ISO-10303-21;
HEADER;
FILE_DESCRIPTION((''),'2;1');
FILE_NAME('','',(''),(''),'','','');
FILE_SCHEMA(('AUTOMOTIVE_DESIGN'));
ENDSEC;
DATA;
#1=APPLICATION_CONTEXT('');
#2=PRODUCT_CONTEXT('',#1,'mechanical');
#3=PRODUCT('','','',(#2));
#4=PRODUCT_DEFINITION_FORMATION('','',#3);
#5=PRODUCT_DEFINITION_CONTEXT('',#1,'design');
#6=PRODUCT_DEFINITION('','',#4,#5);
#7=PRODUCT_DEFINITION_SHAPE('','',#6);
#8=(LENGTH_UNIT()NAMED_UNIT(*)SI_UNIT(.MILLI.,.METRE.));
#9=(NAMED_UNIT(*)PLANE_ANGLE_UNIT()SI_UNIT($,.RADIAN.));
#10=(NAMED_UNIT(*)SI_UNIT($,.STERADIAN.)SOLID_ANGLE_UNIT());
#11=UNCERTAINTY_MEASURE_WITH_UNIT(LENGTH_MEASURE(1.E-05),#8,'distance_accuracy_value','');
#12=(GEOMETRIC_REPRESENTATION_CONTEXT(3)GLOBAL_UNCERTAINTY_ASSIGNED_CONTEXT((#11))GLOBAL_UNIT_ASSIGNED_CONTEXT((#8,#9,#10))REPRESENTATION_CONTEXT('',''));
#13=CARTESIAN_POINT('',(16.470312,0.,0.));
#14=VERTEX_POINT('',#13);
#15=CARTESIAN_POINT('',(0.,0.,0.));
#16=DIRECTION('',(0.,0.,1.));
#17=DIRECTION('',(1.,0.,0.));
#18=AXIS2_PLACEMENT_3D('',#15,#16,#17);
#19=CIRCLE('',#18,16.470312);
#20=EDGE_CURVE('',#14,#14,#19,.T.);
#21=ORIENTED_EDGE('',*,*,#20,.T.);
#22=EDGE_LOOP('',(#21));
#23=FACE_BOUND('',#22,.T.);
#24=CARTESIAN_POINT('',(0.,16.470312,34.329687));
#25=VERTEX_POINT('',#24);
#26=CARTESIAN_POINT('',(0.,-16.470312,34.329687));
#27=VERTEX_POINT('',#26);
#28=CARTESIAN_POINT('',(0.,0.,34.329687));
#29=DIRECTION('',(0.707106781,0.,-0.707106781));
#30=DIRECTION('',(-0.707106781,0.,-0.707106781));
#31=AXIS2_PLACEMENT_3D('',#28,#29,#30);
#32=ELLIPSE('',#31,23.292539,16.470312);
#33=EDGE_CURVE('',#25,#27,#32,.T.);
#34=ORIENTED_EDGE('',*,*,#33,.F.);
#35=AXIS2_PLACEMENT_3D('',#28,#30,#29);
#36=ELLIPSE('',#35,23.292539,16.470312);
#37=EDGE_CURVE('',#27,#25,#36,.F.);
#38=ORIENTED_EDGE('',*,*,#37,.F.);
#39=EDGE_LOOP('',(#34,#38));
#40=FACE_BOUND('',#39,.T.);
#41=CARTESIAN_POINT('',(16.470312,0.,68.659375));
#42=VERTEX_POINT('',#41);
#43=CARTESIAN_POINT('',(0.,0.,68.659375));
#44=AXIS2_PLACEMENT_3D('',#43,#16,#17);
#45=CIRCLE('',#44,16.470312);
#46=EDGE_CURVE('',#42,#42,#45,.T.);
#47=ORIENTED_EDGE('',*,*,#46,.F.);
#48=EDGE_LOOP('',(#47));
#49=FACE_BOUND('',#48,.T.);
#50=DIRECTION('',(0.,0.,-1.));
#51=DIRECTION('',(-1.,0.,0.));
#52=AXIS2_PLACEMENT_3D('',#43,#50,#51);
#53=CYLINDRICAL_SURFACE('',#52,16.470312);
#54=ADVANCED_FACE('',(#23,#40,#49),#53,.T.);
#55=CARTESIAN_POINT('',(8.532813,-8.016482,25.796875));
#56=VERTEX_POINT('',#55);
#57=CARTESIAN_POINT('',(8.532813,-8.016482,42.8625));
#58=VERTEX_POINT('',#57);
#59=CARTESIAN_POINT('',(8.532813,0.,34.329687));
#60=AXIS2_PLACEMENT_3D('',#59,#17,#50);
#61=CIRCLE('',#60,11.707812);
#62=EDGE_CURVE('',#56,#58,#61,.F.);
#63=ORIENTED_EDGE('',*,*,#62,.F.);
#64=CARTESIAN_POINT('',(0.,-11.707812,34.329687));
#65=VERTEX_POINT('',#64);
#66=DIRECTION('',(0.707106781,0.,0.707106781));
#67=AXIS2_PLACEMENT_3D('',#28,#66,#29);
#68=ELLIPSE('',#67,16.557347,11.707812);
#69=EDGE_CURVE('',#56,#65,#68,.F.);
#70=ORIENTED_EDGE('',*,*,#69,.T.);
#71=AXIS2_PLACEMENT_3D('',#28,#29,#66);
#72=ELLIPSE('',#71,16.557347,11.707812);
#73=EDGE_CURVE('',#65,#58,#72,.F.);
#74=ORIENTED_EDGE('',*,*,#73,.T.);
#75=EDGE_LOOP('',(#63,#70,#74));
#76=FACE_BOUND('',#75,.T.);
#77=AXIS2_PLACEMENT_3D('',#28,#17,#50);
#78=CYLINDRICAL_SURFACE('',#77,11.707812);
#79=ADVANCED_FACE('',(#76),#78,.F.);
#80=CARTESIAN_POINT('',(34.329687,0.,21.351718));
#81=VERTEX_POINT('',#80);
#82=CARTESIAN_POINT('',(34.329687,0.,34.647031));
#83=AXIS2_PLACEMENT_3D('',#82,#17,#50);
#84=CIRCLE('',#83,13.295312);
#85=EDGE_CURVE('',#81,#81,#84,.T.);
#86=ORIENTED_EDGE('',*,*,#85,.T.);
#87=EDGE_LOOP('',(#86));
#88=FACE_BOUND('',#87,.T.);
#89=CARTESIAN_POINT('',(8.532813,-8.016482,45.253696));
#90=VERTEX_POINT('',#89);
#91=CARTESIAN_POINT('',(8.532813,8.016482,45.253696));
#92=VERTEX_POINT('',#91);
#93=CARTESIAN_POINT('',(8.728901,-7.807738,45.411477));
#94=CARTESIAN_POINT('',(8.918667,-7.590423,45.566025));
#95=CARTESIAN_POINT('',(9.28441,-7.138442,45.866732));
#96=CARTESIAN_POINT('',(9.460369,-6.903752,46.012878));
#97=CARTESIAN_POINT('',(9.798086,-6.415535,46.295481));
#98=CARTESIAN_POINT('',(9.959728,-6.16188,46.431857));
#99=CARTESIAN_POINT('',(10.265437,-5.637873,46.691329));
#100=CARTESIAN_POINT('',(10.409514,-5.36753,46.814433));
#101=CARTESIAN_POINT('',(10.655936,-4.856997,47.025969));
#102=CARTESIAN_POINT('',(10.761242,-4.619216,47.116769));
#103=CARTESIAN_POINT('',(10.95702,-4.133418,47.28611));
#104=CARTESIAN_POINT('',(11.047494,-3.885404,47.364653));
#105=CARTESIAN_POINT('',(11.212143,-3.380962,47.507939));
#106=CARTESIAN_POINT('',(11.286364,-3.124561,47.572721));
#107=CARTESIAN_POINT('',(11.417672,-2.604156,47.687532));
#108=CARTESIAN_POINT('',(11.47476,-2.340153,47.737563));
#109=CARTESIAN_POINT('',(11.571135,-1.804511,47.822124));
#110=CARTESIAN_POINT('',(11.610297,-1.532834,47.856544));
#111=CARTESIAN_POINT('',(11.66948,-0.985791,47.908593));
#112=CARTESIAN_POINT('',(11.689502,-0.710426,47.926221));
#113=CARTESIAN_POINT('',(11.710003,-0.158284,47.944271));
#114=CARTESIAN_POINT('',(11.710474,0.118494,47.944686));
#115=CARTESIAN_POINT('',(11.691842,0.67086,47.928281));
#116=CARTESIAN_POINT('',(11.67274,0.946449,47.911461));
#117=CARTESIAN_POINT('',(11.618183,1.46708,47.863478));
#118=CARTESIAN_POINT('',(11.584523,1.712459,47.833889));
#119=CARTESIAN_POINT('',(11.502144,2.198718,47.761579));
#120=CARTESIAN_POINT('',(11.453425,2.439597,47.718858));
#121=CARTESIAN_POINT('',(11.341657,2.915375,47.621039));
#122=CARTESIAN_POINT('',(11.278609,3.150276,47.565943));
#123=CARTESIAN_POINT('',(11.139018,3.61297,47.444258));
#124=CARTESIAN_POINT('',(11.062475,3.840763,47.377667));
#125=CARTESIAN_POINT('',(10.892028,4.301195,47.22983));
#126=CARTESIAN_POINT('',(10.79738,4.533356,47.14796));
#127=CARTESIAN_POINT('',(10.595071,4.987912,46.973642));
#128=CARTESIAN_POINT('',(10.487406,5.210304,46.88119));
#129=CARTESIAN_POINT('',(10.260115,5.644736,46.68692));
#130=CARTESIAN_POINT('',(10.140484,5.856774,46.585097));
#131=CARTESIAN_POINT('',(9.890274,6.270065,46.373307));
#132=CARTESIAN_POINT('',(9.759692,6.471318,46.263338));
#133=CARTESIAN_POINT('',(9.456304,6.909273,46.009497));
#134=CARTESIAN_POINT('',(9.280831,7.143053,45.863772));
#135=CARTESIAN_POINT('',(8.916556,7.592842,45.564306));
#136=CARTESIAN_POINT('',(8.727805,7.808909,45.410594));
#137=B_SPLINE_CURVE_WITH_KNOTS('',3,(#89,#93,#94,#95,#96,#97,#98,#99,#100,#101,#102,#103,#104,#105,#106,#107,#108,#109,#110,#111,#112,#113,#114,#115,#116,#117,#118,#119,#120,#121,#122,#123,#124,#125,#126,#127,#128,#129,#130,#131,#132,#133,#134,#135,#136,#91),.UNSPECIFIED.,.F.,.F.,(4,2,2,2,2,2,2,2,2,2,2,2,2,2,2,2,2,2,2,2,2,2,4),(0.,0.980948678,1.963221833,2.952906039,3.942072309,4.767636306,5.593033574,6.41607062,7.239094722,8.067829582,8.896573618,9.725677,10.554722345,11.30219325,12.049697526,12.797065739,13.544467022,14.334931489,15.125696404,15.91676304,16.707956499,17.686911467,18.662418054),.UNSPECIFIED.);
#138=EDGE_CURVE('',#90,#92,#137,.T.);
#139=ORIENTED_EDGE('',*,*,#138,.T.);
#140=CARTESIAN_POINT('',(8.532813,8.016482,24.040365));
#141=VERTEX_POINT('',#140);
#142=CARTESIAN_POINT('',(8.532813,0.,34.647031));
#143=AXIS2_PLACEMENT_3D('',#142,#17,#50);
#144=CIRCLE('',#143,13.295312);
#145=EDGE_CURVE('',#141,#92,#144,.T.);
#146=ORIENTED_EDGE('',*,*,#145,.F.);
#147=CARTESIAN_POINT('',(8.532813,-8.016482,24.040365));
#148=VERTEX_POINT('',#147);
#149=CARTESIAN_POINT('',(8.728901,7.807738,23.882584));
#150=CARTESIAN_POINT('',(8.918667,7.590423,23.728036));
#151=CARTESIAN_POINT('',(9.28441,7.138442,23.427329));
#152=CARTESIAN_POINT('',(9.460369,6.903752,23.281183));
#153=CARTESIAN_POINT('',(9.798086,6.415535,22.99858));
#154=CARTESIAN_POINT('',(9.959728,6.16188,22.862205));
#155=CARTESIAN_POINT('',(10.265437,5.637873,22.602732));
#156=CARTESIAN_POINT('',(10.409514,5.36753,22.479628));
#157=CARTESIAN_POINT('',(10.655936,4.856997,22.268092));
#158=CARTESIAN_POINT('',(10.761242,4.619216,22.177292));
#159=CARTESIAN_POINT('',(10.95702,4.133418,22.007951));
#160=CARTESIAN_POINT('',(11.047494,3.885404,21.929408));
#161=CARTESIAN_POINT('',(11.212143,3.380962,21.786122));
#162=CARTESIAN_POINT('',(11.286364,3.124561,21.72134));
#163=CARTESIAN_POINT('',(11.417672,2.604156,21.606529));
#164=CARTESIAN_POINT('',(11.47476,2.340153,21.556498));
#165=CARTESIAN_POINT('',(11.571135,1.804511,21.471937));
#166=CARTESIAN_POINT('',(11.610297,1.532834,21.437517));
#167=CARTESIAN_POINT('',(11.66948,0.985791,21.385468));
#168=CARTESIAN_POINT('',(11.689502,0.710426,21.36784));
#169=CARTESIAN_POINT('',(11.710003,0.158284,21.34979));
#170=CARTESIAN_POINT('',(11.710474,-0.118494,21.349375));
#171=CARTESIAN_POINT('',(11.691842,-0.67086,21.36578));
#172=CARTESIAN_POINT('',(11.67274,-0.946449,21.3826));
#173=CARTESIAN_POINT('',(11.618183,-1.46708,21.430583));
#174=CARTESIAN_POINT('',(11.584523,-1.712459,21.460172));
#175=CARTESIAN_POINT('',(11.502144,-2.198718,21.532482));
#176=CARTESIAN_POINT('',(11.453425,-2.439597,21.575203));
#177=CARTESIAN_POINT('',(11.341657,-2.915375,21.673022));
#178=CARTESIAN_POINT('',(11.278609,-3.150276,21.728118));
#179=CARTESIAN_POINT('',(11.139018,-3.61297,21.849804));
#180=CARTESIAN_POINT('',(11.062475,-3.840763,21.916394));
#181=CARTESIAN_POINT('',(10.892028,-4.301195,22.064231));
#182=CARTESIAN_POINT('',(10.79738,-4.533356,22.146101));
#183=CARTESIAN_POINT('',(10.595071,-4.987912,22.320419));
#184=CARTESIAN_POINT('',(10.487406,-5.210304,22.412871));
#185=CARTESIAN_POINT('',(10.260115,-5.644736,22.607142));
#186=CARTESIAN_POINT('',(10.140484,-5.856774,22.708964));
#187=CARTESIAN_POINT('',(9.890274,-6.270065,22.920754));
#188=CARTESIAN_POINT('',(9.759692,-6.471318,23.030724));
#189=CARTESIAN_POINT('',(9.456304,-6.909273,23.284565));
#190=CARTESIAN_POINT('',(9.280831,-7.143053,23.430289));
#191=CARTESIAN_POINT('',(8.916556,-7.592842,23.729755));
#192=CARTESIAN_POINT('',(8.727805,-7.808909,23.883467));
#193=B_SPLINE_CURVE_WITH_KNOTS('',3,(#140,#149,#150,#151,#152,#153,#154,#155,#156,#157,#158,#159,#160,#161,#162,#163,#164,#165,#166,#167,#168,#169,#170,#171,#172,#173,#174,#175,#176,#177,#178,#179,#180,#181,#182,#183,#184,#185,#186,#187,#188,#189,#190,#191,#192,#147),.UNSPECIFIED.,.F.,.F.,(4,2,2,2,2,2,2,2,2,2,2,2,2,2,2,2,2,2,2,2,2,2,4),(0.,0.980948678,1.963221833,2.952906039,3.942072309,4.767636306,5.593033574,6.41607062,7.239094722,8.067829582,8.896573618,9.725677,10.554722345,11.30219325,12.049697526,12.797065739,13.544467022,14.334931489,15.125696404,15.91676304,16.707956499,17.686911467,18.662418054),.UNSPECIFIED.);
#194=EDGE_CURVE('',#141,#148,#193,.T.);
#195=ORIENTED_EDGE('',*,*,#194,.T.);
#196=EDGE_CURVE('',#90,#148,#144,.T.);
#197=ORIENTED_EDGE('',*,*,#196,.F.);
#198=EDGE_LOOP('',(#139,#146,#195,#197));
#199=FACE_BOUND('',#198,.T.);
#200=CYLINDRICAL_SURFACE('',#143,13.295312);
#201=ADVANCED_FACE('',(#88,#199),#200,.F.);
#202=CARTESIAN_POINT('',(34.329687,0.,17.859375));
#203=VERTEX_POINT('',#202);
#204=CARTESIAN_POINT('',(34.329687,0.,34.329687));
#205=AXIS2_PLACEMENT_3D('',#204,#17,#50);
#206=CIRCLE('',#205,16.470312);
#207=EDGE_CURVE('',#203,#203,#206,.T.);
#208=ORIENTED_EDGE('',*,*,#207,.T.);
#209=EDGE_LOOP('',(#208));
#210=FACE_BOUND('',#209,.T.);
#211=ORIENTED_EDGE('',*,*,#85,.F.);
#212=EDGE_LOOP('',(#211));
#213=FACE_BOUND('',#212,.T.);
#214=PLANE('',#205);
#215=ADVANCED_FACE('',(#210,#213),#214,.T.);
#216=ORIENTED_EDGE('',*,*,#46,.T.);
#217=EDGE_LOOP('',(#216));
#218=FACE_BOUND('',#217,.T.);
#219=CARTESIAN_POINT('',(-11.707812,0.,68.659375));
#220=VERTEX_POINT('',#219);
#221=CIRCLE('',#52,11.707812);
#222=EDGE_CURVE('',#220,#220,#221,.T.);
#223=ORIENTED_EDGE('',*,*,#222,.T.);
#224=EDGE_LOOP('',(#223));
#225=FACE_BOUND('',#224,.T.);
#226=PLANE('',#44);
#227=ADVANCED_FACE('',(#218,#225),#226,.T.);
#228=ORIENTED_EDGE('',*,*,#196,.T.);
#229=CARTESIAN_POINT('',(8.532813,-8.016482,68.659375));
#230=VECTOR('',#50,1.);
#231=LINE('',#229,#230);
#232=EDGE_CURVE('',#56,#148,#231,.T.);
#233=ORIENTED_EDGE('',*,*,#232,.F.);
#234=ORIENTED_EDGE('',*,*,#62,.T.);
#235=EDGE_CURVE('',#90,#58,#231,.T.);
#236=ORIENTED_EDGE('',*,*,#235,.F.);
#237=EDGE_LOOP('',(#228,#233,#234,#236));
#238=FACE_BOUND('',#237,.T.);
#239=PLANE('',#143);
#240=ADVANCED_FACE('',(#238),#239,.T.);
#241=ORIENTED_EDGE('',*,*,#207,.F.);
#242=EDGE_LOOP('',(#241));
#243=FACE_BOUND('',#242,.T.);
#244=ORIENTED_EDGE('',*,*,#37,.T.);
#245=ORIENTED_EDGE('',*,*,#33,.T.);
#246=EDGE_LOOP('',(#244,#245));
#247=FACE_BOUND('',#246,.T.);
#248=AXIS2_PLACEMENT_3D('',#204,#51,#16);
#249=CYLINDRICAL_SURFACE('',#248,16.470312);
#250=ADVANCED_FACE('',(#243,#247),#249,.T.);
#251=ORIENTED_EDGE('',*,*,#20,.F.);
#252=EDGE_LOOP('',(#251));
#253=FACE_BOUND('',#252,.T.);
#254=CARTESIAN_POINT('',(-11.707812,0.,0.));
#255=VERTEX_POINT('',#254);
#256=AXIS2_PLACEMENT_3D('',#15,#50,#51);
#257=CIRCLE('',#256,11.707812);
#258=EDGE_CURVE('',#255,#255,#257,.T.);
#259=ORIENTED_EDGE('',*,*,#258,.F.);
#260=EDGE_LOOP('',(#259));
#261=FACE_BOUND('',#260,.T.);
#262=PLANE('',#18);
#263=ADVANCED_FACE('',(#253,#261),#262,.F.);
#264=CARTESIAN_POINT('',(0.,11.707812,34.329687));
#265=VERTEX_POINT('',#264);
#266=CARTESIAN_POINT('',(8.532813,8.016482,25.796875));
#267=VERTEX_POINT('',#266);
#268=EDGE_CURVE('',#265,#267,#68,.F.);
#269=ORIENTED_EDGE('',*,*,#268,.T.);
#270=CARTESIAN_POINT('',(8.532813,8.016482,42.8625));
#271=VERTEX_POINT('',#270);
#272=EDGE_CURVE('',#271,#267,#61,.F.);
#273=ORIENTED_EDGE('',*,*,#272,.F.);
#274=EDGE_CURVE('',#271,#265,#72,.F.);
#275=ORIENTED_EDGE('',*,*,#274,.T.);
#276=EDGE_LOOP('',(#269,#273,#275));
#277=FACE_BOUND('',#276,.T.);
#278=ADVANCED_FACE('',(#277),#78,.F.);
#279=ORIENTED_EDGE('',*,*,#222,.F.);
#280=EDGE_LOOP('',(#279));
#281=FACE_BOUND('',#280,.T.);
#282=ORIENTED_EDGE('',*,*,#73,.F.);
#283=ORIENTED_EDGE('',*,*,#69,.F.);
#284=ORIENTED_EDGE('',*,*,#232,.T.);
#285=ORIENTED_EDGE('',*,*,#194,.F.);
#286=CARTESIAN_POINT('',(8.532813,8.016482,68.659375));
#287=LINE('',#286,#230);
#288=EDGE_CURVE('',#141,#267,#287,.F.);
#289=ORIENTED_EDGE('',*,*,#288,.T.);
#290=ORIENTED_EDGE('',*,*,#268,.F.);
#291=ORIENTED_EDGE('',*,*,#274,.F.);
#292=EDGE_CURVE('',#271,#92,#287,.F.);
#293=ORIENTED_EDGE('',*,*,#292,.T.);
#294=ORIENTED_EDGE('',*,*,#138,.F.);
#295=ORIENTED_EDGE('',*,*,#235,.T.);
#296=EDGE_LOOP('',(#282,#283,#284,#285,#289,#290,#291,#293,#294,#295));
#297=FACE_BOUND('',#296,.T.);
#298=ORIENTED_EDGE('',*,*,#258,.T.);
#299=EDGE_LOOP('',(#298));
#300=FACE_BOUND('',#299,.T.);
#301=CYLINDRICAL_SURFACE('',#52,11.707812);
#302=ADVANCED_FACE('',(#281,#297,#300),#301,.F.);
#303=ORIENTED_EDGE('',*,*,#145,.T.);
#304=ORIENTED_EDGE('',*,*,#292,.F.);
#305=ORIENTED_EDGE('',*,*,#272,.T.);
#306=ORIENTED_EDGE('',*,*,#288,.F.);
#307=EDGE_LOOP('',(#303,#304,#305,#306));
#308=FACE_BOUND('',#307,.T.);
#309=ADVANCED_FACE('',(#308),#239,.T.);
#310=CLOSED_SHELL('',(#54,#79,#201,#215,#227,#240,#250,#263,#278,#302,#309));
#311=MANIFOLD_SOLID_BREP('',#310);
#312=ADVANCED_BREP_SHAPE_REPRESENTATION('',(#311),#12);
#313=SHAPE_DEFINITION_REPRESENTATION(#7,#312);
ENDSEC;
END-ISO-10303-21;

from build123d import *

# Parameters (mm, degrees)
SKETCH1_R           = 16.4703125
BOSS_EXTRUDE1_DEPTH = 68.659375
SKETCH2_R           = 16.4703125
BOSS_EXTRUDE2_DEPTH = 34.3296875
SKETCH3_R           = 11.7078125
CUT_EXTRUDE1_DEPTH  = 34.3296875
SKETCH4_R           = 13.2953125
CUT_EXTRUDE2_DEPTH  = 25.796875
SKETCH5_R           = 11.7078125
CUT_EXTRUDE3_DEPTH  = 79.51056243


with BuildPart() as part:
    # Sketch1 → Boss-Extrude1 (new body)
    with BuildSketch(Plane.XY):
        Circle(SKETCH1_R)
    extrude(amount=BOSS_EXTRUDE1_DEPTH)

    # Sketch2 → Boss-Extrude2 (add)
    with BuildSketch(Plane(origin=(0, 0, 0), x_dir=(0, 0, -1), z_dir=(1, 0, 0))):
        with Locations((-34.3296875, 0)):
            Circle(SKETCH2_R)
    extrude(amount=BOSS_EXTRUDE2_DEPTH)

    # Sketch3 → Cut-Extrude1 (cut)
    with BuildSketch(Plane(origin=(34.3296875, 0, 0), x_dir=(0, 0, -1), z_dir=(1, 0, 0))):
        with Locations((-34.3296875, 0)):
            Circle(SKETCH3_R)
    extrude(amount=-CUT_EXTRUDE1_DEPTH, mode=Mode.SUBTRACT)

    # Sketch4 → Cut-Extrude2 (cut)
    with BuildSketch(Plane(origin=(34.3296875, 0, 0), x_dir=(0, 0, -1), z_dir=(1, 0, 0))):
        with Locations((-34.647030574, 0)):
            Circle(SKETCH4_R)
    extrude(amount=-CUT_EXTRUDE2_DEPTH, mode=Mode.SUBTRACT)

    # Sketch5 → Cut-Extrude3 (cut, through all)
    with BuildSketch(Plane(origin=(0, 0, 0), x_dir=(-1, 0, 0), z_dir=(0, 0, -1))):
        Circle(SKETCH5_R)
    extrude(amount=-CUT_EXTRUDE3_DEPTH, mode=Mode.SUBTRACT)


solid = part.part
